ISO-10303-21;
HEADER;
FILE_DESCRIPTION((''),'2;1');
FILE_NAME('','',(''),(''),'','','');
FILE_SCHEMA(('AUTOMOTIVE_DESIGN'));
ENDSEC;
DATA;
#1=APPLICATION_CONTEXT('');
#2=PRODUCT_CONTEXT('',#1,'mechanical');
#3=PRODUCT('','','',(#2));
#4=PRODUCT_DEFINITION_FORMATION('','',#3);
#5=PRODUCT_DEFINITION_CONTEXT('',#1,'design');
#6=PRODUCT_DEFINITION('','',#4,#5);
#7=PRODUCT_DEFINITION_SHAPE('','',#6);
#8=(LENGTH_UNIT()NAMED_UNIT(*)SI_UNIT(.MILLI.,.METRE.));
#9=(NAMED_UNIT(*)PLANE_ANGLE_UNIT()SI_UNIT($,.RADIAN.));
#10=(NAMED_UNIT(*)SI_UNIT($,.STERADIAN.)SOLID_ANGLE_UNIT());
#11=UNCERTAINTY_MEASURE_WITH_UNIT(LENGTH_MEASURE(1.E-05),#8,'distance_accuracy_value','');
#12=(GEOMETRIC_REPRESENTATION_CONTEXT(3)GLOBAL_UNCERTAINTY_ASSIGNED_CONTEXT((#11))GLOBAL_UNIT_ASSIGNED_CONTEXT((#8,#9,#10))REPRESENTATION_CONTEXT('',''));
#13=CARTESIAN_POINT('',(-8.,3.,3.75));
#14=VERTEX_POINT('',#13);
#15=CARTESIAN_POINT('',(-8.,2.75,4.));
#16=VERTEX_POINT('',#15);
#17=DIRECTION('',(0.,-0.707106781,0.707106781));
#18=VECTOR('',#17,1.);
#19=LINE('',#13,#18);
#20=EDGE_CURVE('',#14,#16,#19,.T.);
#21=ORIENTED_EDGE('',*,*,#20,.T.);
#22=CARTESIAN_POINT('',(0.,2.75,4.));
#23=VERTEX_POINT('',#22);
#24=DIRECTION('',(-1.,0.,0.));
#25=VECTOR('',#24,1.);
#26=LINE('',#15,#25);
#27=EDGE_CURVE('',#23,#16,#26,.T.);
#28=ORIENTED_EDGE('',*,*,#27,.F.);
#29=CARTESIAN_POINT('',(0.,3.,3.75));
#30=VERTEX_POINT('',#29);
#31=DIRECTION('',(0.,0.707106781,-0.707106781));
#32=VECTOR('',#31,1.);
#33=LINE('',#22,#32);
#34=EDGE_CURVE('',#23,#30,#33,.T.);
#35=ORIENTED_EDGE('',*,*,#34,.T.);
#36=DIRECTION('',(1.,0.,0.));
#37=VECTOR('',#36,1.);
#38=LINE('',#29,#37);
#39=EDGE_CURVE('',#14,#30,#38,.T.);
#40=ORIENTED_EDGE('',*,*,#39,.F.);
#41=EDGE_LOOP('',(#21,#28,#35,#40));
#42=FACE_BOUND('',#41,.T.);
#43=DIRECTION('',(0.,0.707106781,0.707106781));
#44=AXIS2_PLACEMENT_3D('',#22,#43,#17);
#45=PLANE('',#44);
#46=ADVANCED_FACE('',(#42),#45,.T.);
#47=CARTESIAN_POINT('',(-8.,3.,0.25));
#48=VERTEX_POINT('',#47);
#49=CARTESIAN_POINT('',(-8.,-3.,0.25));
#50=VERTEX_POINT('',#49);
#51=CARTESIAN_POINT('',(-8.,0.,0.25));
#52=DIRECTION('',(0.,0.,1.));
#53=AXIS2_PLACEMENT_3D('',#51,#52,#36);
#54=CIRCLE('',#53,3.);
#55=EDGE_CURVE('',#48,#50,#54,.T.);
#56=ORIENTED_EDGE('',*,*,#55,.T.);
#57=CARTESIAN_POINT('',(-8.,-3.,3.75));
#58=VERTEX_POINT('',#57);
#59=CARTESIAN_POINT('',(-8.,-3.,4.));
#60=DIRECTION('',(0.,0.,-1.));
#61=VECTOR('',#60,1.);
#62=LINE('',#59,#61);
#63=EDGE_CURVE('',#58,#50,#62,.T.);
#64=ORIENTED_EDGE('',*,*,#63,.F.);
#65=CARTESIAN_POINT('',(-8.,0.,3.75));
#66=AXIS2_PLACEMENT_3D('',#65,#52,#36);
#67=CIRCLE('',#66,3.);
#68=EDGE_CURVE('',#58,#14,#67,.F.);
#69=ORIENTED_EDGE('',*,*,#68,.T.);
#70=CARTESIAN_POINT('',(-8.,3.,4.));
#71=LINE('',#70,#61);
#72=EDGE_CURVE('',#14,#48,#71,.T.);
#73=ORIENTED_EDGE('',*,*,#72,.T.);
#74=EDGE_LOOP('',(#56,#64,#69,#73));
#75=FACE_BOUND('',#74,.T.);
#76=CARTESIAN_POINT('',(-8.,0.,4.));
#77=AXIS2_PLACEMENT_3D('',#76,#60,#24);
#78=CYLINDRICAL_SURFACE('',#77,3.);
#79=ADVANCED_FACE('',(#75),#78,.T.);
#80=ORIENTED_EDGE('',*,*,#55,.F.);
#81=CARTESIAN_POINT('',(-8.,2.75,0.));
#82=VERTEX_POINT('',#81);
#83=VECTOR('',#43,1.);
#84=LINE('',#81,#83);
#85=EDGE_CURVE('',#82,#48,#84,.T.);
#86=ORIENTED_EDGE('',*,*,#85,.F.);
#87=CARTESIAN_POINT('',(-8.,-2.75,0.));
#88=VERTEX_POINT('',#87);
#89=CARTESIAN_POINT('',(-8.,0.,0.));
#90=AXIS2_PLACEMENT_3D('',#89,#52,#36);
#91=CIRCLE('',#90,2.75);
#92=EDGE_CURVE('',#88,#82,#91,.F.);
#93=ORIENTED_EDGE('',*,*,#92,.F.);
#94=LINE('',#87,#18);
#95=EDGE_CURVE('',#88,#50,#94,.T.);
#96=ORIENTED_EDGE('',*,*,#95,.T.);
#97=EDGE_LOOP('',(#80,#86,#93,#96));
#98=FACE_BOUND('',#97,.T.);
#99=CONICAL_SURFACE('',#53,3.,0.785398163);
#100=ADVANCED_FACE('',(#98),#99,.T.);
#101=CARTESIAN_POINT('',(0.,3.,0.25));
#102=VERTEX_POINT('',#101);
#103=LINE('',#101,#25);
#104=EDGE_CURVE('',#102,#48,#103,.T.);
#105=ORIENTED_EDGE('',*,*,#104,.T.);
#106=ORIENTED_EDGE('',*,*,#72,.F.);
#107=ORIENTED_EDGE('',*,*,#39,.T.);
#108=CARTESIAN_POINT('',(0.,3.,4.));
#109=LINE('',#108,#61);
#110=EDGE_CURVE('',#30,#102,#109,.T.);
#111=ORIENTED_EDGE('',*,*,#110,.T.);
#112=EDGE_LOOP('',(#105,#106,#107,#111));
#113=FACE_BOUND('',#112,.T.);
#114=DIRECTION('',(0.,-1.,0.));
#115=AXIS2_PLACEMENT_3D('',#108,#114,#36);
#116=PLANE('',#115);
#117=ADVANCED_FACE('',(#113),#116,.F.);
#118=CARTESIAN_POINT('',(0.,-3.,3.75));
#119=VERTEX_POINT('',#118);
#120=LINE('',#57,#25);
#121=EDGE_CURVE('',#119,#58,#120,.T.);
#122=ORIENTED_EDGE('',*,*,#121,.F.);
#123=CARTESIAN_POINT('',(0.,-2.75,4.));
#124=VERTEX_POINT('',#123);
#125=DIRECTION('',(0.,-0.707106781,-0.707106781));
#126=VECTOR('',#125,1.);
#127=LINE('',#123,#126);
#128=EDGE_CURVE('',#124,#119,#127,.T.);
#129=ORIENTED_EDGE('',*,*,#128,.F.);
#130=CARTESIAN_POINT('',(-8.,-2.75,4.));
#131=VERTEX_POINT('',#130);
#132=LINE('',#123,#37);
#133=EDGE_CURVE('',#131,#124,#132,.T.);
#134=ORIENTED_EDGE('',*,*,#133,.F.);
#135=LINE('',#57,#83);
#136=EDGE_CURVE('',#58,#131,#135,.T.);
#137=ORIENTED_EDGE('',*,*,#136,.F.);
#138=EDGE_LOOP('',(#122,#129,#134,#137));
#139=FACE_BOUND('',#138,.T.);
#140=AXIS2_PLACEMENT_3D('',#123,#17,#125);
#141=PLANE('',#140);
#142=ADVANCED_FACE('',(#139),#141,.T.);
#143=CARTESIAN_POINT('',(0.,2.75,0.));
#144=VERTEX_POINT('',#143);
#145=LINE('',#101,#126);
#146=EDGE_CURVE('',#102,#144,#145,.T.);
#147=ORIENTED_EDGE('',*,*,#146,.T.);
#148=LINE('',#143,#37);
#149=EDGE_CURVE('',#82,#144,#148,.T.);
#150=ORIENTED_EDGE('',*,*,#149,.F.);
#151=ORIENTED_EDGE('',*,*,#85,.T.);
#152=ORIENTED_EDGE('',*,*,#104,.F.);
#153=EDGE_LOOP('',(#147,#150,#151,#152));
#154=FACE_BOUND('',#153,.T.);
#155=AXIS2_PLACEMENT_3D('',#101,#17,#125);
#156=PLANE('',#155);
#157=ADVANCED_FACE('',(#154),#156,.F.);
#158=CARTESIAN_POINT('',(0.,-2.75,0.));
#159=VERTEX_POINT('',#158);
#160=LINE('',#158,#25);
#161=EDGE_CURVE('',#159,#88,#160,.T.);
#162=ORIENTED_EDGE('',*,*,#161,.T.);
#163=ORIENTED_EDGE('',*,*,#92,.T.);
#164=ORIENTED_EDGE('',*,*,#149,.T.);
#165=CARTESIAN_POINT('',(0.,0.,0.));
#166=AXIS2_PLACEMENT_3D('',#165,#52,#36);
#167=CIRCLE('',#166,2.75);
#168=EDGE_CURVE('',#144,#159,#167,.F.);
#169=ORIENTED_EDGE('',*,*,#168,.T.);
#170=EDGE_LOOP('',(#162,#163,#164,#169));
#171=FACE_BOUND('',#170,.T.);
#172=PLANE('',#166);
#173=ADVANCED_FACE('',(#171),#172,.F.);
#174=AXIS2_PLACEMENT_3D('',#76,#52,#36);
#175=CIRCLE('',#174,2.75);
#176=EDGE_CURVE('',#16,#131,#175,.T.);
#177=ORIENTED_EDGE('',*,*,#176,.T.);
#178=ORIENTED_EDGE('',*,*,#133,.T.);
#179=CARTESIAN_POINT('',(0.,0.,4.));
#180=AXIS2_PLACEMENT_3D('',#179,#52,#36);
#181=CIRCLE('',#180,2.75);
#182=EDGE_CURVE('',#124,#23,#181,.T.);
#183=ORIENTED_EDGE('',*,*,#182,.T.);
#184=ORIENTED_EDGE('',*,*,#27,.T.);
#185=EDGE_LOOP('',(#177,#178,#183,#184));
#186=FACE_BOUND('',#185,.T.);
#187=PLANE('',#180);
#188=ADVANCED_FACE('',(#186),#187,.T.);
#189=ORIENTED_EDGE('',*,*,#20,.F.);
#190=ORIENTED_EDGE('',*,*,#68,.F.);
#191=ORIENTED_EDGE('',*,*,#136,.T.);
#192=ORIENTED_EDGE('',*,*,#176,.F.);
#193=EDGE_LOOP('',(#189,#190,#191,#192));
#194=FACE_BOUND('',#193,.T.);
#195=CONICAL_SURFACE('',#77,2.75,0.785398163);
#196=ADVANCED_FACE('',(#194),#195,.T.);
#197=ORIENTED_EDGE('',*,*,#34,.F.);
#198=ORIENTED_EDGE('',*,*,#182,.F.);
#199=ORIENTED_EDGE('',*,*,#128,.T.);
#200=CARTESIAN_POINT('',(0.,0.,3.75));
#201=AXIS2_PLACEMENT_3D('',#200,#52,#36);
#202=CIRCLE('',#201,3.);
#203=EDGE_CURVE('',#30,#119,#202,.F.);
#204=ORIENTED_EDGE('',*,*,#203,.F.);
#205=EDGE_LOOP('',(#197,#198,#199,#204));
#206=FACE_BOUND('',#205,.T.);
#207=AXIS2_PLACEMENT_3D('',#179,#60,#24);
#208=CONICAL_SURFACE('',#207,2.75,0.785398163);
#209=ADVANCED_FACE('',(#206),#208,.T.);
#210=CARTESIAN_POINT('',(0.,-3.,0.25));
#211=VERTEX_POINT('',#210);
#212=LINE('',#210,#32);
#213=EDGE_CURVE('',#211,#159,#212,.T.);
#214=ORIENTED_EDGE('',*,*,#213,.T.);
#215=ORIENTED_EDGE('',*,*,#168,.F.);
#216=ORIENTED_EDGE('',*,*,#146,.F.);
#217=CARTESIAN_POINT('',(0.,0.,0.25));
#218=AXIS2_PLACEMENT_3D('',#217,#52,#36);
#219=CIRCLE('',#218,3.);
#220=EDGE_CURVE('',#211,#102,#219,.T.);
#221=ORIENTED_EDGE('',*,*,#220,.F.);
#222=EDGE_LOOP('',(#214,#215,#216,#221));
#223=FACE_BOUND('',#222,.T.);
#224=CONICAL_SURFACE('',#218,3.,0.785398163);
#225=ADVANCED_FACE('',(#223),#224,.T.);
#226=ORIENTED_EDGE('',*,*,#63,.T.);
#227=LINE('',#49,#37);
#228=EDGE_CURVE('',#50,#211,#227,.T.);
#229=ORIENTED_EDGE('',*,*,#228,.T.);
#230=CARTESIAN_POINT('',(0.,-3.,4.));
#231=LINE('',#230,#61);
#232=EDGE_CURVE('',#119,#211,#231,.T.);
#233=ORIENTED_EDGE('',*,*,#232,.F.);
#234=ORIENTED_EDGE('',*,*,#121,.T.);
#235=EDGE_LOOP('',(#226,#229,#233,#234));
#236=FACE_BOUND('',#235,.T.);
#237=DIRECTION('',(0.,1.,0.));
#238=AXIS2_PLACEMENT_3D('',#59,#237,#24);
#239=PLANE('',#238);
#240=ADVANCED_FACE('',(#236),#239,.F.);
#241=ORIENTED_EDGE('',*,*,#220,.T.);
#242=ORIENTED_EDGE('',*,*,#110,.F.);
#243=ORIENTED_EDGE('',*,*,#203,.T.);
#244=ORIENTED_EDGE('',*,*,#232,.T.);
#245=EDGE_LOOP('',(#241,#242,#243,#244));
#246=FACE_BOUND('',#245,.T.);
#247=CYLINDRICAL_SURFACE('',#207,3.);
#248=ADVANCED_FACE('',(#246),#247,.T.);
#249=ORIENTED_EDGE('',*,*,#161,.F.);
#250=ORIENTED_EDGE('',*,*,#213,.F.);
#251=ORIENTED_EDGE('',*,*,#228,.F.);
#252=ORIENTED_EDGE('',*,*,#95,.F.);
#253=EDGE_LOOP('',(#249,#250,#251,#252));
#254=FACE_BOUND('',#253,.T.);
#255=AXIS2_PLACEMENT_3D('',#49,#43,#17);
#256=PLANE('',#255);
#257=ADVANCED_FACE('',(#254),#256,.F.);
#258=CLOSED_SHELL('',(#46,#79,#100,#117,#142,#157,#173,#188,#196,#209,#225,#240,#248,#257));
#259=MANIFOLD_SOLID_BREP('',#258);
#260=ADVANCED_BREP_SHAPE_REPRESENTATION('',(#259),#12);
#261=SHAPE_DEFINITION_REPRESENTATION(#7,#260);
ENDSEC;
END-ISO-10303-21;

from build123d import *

# Parameters (mm, degrees)
EXTRUDE1_DEPTH = 4
CHAMFER1_SIZE  = 0.25


with BuildPart() as part:
    # Sketch1 → Extrude1 (new body)
    with BuildSketch(Plane.XY):
        with BuildLine():
            Line((0, 3), (-8, 3))
            ThreePointArc((-8, 3), (-11, 0), (-8, -3))
            Line((-8, -3), (0, -3))
            ThreePointArc((0, -3), (3, 0), (0, 3))
        make_face()
    extrude(amount=EXTRUDE1_DEPTH)

    # Chamfer1
    chamfer1_edges = [part.edges().sort_by_distance(p)[0] for p in [
        (-11, 0, 4),
        (-4, -3, 4),
        (3, 0, 4),
        (-4, -3, 0),
        (-11, 0, 0),
        (-4, 3, 0),
        (3, 0, 0),
        (-4, 3, 4),
    ]]
    chamfer(chamfer1_edges, length=CHAMFER1_SIZE)


solid = part.part
